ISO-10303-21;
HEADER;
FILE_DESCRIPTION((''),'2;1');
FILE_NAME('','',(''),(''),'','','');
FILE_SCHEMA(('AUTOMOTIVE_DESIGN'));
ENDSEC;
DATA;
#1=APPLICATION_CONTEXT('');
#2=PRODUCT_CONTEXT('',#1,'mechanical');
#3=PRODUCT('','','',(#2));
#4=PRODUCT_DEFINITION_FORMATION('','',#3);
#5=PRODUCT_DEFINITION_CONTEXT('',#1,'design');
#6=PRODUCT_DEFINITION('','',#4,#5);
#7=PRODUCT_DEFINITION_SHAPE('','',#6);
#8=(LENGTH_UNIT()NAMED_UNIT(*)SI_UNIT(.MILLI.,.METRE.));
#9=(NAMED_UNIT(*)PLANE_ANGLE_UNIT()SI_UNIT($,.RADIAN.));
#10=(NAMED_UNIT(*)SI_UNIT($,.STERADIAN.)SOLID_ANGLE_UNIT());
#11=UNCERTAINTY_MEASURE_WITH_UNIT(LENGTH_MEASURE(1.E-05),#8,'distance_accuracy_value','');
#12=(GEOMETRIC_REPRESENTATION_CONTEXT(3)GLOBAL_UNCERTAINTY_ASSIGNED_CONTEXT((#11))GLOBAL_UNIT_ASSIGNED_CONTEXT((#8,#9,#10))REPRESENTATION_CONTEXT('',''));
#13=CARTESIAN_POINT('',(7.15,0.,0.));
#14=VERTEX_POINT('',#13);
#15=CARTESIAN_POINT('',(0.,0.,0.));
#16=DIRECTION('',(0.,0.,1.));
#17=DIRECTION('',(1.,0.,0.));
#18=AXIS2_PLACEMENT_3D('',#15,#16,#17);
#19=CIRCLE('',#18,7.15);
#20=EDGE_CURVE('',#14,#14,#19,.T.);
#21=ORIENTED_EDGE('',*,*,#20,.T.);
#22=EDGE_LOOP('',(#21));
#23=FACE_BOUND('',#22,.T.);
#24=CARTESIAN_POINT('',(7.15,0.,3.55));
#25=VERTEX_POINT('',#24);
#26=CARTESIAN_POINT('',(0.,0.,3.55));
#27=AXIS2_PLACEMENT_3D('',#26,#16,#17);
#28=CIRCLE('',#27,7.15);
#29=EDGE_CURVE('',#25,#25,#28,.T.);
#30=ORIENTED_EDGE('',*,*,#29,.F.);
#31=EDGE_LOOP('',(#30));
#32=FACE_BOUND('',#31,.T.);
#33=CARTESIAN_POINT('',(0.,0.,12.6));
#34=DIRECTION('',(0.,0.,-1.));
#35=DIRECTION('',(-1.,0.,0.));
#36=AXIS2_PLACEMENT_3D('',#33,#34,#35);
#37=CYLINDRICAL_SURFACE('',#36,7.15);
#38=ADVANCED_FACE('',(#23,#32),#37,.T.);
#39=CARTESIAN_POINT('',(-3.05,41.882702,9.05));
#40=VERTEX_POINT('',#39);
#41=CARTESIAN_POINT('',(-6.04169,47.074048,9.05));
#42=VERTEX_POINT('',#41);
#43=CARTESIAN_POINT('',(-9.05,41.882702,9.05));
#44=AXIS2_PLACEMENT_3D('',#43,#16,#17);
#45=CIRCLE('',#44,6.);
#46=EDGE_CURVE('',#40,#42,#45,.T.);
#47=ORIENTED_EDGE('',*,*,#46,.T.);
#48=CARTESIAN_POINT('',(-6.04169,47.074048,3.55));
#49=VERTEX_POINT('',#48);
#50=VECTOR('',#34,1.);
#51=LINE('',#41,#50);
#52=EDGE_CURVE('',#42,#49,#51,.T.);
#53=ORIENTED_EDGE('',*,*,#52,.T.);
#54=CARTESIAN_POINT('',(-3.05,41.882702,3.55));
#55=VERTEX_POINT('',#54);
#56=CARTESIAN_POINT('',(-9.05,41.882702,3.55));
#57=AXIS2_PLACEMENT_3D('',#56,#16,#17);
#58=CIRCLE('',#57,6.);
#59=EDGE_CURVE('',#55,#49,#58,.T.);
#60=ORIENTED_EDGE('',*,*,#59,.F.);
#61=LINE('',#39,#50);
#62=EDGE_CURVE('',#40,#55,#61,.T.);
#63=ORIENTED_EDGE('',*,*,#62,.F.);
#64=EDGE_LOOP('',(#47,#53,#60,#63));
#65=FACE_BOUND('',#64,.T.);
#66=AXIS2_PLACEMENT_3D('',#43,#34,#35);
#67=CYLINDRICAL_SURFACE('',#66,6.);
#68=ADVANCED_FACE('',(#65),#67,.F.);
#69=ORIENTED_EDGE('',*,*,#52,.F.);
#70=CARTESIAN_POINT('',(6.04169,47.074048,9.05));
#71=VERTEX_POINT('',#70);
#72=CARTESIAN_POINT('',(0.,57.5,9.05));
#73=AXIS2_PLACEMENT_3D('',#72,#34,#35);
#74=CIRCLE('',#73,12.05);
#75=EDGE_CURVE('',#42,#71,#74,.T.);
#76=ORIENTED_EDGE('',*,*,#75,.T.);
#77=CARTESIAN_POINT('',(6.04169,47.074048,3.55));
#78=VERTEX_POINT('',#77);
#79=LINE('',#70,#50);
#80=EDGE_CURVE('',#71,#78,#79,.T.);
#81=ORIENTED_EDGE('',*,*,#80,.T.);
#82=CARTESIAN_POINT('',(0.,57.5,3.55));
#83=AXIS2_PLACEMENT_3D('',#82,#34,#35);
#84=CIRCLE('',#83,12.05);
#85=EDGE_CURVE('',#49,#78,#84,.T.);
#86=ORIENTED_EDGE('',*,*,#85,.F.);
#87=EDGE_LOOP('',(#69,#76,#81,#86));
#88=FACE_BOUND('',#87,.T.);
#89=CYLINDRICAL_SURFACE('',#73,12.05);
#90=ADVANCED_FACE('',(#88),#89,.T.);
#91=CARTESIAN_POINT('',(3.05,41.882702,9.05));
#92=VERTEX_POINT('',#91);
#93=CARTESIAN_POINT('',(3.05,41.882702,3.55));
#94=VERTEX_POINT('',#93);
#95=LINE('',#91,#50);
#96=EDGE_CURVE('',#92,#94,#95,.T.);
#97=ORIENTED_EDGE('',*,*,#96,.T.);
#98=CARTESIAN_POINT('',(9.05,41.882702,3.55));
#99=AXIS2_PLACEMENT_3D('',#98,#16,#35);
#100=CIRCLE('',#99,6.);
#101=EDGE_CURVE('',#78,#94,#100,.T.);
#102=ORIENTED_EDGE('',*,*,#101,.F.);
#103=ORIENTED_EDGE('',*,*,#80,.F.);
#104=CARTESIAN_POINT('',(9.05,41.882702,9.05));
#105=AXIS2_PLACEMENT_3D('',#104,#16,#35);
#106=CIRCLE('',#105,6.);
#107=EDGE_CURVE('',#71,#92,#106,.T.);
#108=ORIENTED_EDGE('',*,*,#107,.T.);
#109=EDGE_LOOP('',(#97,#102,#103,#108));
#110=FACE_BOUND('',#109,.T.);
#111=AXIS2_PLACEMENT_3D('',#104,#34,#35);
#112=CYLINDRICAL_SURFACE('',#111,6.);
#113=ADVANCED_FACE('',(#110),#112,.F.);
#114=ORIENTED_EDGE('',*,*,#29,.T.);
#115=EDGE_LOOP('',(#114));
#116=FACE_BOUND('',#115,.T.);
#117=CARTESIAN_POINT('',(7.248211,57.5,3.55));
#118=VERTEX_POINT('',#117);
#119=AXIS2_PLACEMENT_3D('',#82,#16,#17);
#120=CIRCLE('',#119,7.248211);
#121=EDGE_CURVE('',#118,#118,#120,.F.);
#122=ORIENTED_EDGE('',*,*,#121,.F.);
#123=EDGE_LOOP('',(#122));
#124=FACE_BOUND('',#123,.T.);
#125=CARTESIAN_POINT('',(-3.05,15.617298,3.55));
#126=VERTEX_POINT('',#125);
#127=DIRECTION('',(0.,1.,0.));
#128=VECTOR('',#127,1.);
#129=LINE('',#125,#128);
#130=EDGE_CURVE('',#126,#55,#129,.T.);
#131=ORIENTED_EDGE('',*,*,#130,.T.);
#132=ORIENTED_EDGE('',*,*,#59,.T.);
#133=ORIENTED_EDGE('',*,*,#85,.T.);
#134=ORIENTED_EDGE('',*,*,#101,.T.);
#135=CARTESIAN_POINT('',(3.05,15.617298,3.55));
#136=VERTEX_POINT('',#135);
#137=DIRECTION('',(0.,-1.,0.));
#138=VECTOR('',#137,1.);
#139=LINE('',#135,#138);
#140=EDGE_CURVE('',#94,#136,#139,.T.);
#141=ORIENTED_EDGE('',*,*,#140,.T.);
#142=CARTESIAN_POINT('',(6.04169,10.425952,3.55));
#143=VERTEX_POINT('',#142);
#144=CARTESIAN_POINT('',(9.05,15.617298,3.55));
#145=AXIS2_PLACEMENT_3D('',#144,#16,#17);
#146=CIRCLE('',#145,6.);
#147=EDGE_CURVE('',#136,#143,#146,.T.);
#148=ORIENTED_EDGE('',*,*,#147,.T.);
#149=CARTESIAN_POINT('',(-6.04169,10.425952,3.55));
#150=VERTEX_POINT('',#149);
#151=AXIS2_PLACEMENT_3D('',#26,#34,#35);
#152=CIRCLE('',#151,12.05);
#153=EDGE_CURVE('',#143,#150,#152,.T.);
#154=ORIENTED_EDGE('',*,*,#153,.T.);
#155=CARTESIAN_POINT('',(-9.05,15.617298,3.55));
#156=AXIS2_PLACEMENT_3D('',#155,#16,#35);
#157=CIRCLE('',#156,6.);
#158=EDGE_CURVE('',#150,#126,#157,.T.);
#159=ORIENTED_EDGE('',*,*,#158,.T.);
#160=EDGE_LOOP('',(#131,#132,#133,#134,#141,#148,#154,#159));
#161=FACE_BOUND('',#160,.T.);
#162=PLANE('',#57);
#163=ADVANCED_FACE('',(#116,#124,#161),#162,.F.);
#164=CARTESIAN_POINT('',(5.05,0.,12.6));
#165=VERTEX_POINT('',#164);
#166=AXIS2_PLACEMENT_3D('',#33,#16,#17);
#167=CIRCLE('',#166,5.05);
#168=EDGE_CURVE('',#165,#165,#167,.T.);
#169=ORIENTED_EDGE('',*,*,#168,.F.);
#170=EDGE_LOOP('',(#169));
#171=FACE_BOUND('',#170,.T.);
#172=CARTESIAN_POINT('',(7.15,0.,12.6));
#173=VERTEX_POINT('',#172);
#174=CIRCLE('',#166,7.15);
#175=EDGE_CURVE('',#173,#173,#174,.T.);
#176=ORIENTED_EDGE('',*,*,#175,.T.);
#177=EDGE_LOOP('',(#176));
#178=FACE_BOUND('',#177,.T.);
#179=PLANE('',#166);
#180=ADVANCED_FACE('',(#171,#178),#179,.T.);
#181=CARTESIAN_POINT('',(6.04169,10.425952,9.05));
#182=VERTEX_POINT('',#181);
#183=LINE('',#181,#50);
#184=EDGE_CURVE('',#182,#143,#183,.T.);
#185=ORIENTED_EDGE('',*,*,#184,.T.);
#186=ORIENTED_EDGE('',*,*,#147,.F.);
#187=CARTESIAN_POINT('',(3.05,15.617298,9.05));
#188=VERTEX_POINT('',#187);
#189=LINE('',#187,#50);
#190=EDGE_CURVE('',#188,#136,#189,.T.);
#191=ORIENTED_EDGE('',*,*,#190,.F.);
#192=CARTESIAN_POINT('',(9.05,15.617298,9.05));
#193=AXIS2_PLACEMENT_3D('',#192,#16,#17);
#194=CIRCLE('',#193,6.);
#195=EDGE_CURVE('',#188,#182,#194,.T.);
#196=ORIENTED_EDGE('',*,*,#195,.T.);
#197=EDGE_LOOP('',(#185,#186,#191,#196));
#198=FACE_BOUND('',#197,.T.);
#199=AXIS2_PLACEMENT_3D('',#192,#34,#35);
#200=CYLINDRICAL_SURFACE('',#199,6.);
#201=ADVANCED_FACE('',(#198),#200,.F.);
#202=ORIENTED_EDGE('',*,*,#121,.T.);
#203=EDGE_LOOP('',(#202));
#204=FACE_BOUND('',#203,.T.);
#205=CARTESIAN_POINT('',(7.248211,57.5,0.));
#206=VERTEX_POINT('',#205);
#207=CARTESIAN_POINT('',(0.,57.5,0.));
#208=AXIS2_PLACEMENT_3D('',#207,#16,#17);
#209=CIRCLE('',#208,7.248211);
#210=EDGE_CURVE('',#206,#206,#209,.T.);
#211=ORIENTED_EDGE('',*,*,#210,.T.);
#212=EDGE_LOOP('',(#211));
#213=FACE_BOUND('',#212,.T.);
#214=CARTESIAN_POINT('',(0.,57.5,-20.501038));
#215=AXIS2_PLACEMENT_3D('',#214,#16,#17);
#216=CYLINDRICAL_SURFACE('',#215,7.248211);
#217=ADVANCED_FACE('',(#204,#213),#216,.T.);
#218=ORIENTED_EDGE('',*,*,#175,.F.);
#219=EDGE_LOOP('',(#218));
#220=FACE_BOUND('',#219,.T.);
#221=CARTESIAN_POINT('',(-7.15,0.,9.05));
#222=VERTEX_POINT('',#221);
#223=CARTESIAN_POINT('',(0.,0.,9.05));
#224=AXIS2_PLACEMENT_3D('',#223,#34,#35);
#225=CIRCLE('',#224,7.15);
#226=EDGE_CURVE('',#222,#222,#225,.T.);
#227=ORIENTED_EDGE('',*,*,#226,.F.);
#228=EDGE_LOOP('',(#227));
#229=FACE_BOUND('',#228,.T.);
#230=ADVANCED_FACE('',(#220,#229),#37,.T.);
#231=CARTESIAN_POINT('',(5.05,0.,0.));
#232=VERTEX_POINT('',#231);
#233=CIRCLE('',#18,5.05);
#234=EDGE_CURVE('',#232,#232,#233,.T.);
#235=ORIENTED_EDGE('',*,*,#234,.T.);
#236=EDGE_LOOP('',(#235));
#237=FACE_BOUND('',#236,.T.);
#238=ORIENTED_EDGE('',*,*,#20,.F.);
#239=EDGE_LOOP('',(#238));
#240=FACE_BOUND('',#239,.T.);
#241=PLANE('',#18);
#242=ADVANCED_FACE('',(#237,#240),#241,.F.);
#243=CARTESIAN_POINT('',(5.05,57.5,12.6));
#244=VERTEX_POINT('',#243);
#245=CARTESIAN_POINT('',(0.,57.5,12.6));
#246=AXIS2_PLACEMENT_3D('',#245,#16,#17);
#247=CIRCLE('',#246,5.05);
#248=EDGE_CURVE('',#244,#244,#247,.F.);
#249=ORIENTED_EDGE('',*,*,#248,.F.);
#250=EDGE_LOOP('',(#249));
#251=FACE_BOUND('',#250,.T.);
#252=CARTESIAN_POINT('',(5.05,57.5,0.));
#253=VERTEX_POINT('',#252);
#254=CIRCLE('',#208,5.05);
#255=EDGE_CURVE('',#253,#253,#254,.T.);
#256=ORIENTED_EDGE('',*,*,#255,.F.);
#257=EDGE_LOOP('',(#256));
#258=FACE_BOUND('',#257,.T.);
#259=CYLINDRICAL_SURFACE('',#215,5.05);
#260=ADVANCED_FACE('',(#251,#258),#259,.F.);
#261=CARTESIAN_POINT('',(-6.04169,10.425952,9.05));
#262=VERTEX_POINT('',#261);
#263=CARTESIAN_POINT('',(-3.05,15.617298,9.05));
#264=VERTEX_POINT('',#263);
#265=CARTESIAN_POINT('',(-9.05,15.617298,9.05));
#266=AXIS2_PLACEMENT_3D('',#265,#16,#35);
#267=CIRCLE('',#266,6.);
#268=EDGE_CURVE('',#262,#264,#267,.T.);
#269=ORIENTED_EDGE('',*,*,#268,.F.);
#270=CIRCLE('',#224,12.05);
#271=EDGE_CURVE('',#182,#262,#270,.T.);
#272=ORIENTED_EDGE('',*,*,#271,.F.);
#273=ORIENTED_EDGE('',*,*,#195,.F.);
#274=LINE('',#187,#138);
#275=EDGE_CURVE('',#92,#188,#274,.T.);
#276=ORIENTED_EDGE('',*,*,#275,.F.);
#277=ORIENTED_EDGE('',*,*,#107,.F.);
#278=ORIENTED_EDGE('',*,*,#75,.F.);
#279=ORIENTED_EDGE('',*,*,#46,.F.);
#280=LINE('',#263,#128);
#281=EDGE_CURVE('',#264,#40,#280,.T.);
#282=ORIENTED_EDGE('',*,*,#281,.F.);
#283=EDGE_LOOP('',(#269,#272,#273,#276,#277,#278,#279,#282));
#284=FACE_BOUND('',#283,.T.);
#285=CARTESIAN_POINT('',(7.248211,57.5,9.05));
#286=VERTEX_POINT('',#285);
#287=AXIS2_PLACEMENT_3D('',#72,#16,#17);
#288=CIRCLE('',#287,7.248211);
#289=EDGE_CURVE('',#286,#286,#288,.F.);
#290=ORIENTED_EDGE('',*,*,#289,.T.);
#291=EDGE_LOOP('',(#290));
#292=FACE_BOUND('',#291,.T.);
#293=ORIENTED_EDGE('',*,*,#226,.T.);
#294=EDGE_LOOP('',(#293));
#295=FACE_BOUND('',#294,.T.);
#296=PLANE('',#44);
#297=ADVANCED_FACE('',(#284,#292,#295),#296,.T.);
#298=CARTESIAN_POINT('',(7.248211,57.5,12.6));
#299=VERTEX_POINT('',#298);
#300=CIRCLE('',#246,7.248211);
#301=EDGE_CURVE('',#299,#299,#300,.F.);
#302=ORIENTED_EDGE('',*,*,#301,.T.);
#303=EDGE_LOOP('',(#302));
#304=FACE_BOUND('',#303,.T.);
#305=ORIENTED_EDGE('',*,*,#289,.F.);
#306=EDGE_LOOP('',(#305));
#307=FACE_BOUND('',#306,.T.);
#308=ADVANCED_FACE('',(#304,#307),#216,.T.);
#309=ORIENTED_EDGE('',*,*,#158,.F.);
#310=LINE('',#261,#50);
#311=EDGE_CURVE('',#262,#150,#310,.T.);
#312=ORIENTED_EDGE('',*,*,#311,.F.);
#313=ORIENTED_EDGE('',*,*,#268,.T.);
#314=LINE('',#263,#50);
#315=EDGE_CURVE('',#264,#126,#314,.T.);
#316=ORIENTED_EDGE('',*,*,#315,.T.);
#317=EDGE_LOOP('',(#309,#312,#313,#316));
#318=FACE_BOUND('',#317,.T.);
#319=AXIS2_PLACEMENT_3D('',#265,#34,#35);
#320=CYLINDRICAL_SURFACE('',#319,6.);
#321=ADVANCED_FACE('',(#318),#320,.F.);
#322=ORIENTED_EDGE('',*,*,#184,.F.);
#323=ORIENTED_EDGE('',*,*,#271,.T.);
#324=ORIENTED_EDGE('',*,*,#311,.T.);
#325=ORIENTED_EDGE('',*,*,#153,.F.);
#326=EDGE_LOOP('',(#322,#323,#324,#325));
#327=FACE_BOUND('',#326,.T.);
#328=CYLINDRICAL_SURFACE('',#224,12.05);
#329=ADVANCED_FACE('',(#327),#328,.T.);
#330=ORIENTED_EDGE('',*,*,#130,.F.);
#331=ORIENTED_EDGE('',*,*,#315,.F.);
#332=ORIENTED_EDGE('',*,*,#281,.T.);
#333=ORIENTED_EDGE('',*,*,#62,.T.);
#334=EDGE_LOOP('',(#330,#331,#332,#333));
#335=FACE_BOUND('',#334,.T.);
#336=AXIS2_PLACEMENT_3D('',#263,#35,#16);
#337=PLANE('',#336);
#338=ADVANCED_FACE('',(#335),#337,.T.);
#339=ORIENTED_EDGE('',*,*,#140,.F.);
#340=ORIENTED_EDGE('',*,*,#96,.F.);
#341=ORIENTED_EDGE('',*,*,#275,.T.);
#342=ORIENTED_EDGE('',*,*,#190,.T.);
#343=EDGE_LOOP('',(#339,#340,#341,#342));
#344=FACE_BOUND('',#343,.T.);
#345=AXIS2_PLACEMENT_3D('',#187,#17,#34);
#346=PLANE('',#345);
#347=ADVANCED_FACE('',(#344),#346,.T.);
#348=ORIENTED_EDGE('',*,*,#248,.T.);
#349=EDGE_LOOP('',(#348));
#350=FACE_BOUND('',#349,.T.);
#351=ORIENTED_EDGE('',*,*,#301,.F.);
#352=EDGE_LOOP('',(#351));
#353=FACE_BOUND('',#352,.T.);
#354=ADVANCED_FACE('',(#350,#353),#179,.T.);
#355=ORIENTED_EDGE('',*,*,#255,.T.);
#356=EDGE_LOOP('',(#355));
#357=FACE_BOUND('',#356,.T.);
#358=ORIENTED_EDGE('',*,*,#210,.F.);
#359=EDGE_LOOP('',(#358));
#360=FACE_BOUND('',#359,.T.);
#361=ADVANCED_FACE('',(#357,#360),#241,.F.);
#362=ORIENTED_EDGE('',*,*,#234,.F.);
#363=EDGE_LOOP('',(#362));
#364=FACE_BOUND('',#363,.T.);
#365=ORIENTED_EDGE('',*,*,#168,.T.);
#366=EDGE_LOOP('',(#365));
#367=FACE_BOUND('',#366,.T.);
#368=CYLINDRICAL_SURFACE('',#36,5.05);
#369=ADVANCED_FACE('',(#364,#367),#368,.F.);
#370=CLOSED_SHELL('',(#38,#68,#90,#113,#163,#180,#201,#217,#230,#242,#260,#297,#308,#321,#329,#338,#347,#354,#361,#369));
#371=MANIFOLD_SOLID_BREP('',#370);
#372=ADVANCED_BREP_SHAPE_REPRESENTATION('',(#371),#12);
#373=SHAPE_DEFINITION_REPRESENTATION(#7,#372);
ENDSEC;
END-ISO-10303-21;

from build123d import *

# Parameters (mm, degrees)
SKETCH1_R                       = 7.15
SKETCH1_R_2                     = 5.05
BOSS_EXTRUDE1_DEPTH             = 12.6
BOSS_EXTRUDE2_DEPTH             = 2.75
BOSS_EXTRUDE2_DEPTH_BACK        = 2.75
SKETCH2_R                       = 7.2
SKETCH2_R_2                     = 7.15
BOSS_EXTRUDE3_REACH             = 73.164
SKETCH3_R                       = 7.248211447
SKETCH3_R_2                     = 5.05
BOSS_EXTRUDE3_DIRECTION_2_REACH = 73.164


with BuildPart() as part:
    # Sketch1 → Boss-Extrude1 (new body)
    with BuildSketch(Plane.XY):
        Circle(SKETCH1_R)
        Circle(SKETCH1_R_2, mode=Mode.SUBTRACT)
    extrude(amount=BOSS_EXTRUDE1_DEPTH)

    # Sketch2 → Boss-Extrude2 (add, two sides: drawn at the far end of the back side and taken through both)
    with BuildSketch(Plane(origin=(0, 0, 6.3), x_dir=(-1, 0, 0), z_dir=(0, 0, -1)).offset(-BOSS_EXTRUDE2_DEPTH_BACK)):
        with BuildLine():
            Line((3.05, 15.617298102), (3.05, 41.882701898))
            ThreePointArc((3.05, 41.882701898), (3.851449168, 44.878543892), (6.041689751, 47.074047528))
            ThreePointArc((6.041689751, 47.074047528), (0, 69.55), (-6.041689751, 47.074047528))
            ThreePointArc((-6.041689751, 47.074047528), (-3.851449168, 44.878543892), (-3.05, 41.882701898))
            Line((-3.05, 41.882701898), (-3.05, 15.617298102))
            ThreePointArc((-3.05, 15.617298102), (-3.851449168, 12.621456108), (-6.041689751, 10.425952472))
            ThreePointArc((-6.041689751, 10.425952472), (0, -12.05), (6.041689751, 10.425952472))
            ThreePointArc((6.041689751, 10.425952472), (3.851449168, 12.621456108), (3.05, 15.617298102))
        make_face()
        with Locations((0, 57.5)):
            Circle(SKETCH2_R, mode=Mode.SUBTRACT)
        with Locations(Location((0, 0, 0), (0, 0, 180))):
            Circle(SKETCH2_R_2, mode=Mode.SUBTRACT)
    extrude(amount=BOSS_EXTRUDE2_DEPTH + BOSS_EXTRUDE2_DEPTH_BACK)

    # Boss-Extrude3: up to this face of the body (flat: up to its plane)
    boss_extrude3_end = Plane(part.part.faces().sort_by_distance((-6.947767461, 0, 0))[0])
    # Sketch3 → Boss-Extrude3 (add, up to the picked face)
    with BuildSketch(Plane(origin=(0, 0, 3.55), x_dir=(-1, 0, 0), z_dir=(0, 0, -1)), mode=Mode.PRIVATE) as boss_extrude3_sk1:
        with Locations(Location((0, 57.5, 0), (0, 0, 180))):
            Circle(SKETCH3_R)
        with Locations(Location((0, 57.5, 0), (0, 0, 180))):
            Circle(SKETCH3_R_2, mode=Mode.SUBTRACT)
    boss_extrude3_tool1 = split(extrude(boss_extrude3_sk1.sketch, amount=BOSS_EXTRUDE3_REACH, mode=Mode.PRIVATE), bisect_by=boss_extrude3_end, keep=Keep.BOTH, mode=Mode.PRIVATE)
    add(boss_extrude3_tool1.solids().sort_by(Axis((-7.043201, 57.5, 3.55), (0, 0, -1)))[0])

    # Boss-Extrude3 direction 2: up to this face of the body (flat: up to its plane)
    boss_extrude3_direction_2_end = Plane(part.part.faces().sort_by_distance((-6.947767461, 0, 12.6))[0])
    # Sketch3 → Boss-Extrude3 direction 2 (add, up to the picked face)
    with BuildSketch(Plane(origin=(0, 0, 3.55), x_dir=(-1, 0, 0), z_dir=(0, 0, -1)), mode=Mode.PRIVATE) as boss_extrude3_direction_2_sk1:
        with Locations(Location((0, 57.5, 0), (0, 0, 180))):
            Circle(SKETCH3_R)
        with Locations(Location((0, 57.5, 0), (0, 0, 180))):
            Circle(SKETCH3_R_2, mode=Mode.SUBTRACT)
    boss_extrude3_direction_2_tool1 = split(extrude(boss_extrude3_direction_2_sk1.sketch, amount=-BOSS_EXTRUDE3_DIRECTION_2_REACH, mode=Mode.PRIVATE), bisect_by=boss_extrude3_direction_2_end, keep=Keep.BOTH, mode=Mode.PRIVATE)
    add(boss_extrude3_direction_2_tool1.solids().sort_by(Axis((-7.043201, 57.5, 3.55), (0, 0, 1)))[0])


solid = part.part
